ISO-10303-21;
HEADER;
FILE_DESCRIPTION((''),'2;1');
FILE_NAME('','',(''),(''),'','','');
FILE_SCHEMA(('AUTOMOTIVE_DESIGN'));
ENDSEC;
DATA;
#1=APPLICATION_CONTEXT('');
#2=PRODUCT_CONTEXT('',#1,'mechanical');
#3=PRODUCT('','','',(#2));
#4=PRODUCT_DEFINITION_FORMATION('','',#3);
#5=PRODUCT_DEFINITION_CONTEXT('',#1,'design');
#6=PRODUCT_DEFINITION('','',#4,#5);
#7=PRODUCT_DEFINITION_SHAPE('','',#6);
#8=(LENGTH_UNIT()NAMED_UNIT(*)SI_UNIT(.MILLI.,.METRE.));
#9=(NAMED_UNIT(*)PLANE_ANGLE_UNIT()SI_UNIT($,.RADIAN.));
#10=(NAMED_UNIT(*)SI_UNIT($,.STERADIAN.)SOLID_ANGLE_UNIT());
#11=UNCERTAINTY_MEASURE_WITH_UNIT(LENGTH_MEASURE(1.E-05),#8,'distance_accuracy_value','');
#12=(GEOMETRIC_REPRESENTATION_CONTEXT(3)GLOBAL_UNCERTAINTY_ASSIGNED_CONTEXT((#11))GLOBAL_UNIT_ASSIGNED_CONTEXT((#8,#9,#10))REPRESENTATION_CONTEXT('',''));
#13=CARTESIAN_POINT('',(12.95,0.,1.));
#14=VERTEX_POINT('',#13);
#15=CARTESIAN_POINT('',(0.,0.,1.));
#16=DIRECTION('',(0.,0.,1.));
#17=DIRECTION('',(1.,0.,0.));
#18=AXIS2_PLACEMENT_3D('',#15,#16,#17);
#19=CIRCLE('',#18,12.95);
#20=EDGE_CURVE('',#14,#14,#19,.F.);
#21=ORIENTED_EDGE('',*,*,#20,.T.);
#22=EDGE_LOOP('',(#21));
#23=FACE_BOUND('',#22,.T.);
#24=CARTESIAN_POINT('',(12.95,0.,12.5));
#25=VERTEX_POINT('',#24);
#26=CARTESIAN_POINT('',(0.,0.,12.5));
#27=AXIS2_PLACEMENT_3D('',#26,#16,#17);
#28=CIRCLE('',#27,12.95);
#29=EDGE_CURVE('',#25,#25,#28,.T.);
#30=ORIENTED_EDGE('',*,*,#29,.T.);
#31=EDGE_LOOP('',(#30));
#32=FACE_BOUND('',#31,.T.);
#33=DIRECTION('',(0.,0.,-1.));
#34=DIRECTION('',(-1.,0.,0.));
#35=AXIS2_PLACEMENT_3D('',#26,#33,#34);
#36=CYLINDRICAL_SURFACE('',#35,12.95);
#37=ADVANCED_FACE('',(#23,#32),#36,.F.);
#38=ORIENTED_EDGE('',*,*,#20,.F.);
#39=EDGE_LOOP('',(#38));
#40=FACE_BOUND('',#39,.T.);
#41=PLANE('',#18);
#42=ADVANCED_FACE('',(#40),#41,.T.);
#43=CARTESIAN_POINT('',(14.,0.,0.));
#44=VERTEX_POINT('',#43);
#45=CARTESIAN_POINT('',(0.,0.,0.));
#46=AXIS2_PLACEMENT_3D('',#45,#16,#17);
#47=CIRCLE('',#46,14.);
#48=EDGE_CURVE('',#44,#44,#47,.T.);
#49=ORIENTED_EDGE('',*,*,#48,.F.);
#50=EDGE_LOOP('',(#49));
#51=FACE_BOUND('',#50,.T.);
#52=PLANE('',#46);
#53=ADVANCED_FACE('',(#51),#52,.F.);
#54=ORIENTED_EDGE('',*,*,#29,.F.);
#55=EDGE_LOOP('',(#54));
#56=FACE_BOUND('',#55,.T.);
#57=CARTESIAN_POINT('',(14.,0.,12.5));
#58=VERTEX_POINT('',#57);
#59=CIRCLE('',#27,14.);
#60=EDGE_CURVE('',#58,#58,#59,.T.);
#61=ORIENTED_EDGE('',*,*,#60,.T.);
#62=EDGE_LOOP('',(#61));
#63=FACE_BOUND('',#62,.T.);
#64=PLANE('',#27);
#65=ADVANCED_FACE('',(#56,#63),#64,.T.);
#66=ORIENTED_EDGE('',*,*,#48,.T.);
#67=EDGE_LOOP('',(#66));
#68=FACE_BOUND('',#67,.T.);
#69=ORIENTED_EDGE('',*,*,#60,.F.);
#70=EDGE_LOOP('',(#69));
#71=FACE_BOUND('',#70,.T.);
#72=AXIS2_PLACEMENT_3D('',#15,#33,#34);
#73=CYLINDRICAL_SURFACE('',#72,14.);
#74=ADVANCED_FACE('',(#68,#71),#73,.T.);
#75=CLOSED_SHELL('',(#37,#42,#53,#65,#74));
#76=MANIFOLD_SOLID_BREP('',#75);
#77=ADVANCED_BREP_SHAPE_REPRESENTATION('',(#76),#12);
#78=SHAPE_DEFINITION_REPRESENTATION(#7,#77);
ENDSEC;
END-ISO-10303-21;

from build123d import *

# Parameters (mm, degrees)
ESQUISSE1_R        = 14
BOSS_EXTRU_1_DEPTH = 1
ESQUISSE2_R        = 14
ESQUISSE2_R_2      = 12.95
BOSS_EXTRU_2_DEPTH = 11.5


with BuildPart() as part:
    # Esquisse1 → Boss.-Extru.1 (new body)
    with BuildSketch(Plane.XY):
        Circle(ESQUISSE1_R)
    extrude(amount=BOSS_EXTRU_1_DEPTH)

    # Esquisse2 → Boss.-Extru.2 (add)
    with BuildSketch(Plane.XY.offset(1)):
        Circle(ESQUISSE2_R)
        Circle(ESQUISSE2_R_2, mode=Mode.SUBTRACT)
    extrude(amount=BOSS_EXTRU_2_DEPTH)


solid = part.part
